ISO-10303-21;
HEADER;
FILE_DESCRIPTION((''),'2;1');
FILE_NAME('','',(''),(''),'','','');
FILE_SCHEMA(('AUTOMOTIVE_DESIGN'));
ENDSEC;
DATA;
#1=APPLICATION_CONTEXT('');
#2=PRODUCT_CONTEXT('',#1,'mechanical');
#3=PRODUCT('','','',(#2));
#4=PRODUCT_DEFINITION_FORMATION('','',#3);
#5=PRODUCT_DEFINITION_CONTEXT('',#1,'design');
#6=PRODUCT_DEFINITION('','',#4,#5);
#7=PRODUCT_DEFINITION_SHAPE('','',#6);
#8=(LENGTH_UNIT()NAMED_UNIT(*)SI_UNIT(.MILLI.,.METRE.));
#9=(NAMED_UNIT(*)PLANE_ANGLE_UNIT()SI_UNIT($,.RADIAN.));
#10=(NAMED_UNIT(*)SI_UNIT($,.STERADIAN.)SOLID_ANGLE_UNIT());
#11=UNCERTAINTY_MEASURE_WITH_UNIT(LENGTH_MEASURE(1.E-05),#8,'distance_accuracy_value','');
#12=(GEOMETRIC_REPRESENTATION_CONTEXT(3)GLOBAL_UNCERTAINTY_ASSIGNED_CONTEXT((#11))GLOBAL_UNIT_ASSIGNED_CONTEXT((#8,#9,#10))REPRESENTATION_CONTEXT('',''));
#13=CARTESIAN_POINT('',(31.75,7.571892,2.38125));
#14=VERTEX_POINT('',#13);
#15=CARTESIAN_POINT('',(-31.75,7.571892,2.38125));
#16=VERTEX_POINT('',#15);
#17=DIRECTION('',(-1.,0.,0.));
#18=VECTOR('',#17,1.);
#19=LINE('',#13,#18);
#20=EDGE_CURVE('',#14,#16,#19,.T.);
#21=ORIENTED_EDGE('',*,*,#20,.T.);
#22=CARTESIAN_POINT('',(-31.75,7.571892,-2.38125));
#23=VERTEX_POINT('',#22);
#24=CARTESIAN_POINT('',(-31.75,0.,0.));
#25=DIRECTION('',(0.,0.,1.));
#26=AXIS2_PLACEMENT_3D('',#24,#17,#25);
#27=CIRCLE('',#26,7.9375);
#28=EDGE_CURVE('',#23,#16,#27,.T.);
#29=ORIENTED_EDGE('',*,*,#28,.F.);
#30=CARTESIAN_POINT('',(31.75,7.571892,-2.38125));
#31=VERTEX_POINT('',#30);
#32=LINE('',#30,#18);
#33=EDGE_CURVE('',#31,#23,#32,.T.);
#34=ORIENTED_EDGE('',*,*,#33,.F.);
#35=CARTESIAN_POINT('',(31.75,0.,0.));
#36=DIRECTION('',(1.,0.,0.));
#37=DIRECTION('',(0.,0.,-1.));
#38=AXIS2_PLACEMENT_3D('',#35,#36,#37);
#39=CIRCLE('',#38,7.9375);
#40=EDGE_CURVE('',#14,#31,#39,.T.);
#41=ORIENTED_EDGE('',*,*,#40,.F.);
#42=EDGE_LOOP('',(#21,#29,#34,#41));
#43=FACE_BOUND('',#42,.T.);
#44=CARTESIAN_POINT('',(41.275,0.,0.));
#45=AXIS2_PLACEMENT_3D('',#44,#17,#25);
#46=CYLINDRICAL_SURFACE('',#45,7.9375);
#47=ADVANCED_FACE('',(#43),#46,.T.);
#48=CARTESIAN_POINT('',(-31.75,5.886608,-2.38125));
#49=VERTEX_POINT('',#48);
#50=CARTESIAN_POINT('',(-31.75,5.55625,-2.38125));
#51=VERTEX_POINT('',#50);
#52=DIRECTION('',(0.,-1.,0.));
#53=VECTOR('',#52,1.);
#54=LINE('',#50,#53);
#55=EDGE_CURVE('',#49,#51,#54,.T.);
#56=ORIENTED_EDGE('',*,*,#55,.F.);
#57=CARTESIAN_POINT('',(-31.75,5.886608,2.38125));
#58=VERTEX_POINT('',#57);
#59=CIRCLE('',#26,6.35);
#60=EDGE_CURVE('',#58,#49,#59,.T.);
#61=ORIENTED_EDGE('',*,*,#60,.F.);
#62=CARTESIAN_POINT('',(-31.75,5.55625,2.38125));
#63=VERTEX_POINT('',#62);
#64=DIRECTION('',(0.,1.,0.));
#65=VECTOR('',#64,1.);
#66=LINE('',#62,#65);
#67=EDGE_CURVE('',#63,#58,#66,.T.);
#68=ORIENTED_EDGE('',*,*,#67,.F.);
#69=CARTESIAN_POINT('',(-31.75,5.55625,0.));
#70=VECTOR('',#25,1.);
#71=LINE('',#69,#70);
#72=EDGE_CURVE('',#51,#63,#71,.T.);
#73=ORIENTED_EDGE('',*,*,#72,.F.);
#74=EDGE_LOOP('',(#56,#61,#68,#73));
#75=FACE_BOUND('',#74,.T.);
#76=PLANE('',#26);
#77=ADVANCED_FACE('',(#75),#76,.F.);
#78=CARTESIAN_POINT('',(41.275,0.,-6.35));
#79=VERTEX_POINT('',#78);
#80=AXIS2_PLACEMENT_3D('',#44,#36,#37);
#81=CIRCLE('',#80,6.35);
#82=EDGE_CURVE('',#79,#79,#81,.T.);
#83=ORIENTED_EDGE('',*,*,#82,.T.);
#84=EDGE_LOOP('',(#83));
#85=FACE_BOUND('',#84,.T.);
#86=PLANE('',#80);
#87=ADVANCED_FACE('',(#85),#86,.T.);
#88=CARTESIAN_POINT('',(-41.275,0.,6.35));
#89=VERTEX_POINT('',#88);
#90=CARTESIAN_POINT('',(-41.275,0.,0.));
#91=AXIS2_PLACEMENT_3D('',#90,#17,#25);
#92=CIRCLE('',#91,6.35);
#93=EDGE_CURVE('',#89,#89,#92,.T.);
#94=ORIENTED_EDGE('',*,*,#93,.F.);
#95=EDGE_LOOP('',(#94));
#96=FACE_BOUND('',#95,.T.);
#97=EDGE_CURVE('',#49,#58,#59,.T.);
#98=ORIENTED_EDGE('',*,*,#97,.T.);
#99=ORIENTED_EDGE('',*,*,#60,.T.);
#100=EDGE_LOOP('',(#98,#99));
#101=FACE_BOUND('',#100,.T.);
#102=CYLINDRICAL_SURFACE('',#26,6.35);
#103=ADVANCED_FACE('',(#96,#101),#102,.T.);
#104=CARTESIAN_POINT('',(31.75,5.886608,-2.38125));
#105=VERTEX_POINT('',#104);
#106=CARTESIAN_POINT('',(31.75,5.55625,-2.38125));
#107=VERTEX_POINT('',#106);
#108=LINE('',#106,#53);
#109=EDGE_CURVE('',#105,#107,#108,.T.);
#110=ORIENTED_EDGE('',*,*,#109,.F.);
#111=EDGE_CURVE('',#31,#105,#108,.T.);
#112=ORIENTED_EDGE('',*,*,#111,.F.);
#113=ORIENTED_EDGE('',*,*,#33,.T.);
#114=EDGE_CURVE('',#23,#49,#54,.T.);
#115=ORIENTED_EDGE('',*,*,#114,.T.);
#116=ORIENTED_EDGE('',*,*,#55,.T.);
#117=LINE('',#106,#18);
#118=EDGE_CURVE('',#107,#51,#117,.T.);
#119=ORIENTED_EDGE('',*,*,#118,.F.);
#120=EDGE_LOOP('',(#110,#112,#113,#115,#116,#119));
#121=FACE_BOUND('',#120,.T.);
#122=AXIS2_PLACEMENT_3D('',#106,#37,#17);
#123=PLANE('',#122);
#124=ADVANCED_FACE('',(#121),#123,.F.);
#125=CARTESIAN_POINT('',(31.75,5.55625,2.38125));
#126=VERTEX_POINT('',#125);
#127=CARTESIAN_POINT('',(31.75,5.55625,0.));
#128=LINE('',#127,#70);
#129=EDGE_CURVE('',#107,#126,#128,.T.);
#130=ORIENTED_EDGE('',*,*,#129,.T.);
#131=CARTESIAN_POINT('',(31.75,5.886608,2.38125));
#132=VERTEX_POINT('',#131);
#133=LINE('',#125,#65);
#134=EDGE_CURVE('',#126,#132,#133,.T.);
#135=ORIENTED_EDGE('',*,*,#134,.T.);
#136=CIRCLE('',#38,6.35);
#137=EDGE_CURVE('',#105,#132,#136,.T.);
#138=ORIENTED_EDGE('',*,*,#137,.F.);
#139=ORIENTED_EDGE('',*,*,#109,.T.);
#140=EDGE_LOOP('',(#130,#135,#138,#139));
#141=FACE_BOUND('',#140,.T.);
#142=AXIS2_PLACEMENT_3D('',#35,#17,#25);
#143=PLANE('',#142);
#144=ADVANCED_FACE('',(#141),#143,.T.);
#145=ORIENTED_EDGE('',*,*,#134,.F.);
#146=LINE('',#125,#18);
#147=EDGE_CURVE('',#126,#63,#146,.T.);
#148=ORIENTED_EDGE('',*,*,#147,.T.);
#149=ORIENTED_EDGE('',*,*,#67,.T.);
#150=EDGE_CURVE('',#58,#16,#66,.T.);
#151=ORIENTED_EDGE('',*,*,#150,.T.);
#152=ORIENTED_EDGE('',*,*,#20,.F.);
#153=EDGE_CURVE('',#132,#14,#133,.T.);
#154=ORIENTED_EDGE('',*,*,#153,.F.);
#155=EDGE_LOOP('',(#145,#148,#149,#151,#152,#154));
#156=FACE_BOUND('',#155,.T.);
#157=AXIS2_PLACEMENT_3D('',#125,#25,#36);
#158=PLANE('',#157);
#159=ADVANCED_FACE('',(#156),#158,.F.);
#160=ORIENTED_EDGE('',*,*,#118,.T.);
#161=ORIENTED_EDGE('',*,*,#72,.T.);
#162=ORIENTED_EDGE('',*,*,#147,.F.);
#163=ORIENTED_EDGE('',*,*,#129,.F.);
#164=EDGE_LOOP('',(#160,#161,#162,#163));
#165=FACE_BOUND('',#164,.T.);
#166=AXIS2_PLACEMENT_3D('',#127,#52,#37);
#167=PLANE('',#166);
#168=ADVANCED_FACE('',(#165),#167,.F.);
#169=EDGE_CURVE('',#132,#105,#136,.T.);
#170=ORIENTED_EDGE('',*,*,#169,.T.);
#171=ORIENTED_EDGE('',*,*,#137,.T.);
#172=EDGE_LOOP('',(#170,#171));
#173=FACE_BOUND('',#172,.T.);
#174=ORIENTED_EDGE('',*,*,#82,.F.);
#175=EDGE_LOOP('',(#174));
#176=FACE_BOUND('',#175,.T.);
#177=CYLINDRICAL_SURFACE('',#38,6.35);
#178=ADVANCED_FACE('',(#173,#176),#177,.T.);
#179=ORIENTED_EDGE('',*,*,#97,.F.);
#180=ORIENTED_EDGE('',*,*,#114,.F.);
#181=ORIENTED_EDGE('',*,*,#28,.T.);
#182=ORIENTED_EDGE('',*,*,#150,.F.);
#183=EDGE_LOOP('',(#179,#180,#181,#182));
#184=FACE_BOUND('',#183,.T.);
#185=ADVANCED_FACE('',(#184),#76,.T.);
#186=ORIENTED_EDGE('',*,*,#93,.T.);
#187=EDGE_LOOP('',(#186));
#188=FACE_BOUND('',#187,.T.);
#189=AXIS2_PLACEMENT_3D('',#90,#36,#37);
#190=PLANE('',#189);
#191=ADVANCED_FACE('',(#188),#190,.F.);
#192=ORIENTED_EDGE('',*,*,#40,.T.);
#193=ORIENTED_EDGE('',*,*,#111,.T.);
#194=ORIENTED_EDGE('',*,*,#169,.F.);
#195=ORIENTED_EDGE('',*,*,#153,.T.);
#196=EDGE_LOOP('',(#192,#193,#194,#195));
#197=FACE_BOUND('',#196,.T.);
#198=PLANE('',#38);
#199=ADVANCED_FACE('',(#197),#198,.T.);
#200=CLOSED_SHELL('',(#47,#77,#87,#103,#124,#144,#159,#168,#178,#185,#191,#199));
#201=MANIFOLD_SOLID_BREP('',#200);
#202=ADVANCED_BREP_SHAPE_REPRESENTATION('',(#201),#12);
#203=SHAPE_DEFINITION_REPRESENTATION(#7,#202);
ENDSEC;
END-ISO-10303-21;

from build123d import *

# Parameters (mm, degrees)
SKETCH1_R           = 7.9375
BOSS_EXTRUDE1_DEPTH = 41.275
SKETCH4_OUTSIDE_W   = 34.984
SKETCH4_OUTSIDE_H   = 34.984
SKETCH4_OUTSIDE_R   = 6.35
CUT_EXTRUDE1_DEPTH  = 9.525
SKETCH5_OUTSIDE_W   = 34.984
SKETCH5_OUTSIDE_H   = 34.984
SKETCH5_OUTSIDE_R   = 6.35
CUT_EXTRUDE2_DEPTH  = 9.525
CUT_EXTRUDE3_DEPTH  = 63.5


with BuildPart() as part:
    # Sketch1 → Boss-Extrude1 (new body, symmetric)
    with BuildSketch(Plane(origin=(0, 0, 0), x_dir=(0, 0, -1), z_dir=(1, 0, 0))):
        Circle(SKETCH1_R)
    extrude(amount=BOSS_EXTRUDE1_DEPTH, both=True)

    # Sketch4 outside → Cut-Extrude1 (cut)
    with BuildSketch(Plane(origin=(41.275, 0, 0), x_dir=(0, 0, -1), z_dir=(1, 0, 0))):
        Rectangle(SKETCH4_OUTSIDE_W, SKETCH4_OUTSIDE_H)
        Circle(SKETCH4_OUTSIDE_R, mode=Mode.SUBTRACT)
    extrude(amount=-CUT_EXTRUDE1_DEPTH, mode=Mode.SUBTRACT)

    # Sketch5 outside → Cut-Extrude2 (cut)
    with BuildSketch(Plane.ZY.offset(41.275)):
        Rectangle(SKETCH5_OUTSIDE_W, SKETCH5_OUTSIDE_H)
        with Locations(Location((0, 0, 0), (0, 0, 180))):  # turned: the seam where the file's is
            Circle(SKETCH5_OUTSIDE_R, mode=Mode.SUBTRACT)
    extrude(amount=-CUT_EXTRUDE2_DEPTH, mode=Mode.SUBTRACT)

    # Sketch7 → Cut-Extrude3 (cut)
    with BuildSketch(Plane.ZY.offset(31.75)):
        with BuildLine():
            Line((0, 5.55625), (2.38125, 5.55625))
            Line((2.38125, 5.55625), (2.38125, 7.571892411))
            ThreePointArc((2.38125, 7.571892411), (0, 7.9375), (-2.38125, 7.571892411))
            Line((-2.38125, 7.571892411), (-2.38125, 5.55625))
            Line((-2.38125, 5.55625), (0, 5.55625))
        make_face()
    extrude(amount=-CUT_EXTRUDE3_DEPTH, mode=Mode.SUBTRACT)


solid = part.part
